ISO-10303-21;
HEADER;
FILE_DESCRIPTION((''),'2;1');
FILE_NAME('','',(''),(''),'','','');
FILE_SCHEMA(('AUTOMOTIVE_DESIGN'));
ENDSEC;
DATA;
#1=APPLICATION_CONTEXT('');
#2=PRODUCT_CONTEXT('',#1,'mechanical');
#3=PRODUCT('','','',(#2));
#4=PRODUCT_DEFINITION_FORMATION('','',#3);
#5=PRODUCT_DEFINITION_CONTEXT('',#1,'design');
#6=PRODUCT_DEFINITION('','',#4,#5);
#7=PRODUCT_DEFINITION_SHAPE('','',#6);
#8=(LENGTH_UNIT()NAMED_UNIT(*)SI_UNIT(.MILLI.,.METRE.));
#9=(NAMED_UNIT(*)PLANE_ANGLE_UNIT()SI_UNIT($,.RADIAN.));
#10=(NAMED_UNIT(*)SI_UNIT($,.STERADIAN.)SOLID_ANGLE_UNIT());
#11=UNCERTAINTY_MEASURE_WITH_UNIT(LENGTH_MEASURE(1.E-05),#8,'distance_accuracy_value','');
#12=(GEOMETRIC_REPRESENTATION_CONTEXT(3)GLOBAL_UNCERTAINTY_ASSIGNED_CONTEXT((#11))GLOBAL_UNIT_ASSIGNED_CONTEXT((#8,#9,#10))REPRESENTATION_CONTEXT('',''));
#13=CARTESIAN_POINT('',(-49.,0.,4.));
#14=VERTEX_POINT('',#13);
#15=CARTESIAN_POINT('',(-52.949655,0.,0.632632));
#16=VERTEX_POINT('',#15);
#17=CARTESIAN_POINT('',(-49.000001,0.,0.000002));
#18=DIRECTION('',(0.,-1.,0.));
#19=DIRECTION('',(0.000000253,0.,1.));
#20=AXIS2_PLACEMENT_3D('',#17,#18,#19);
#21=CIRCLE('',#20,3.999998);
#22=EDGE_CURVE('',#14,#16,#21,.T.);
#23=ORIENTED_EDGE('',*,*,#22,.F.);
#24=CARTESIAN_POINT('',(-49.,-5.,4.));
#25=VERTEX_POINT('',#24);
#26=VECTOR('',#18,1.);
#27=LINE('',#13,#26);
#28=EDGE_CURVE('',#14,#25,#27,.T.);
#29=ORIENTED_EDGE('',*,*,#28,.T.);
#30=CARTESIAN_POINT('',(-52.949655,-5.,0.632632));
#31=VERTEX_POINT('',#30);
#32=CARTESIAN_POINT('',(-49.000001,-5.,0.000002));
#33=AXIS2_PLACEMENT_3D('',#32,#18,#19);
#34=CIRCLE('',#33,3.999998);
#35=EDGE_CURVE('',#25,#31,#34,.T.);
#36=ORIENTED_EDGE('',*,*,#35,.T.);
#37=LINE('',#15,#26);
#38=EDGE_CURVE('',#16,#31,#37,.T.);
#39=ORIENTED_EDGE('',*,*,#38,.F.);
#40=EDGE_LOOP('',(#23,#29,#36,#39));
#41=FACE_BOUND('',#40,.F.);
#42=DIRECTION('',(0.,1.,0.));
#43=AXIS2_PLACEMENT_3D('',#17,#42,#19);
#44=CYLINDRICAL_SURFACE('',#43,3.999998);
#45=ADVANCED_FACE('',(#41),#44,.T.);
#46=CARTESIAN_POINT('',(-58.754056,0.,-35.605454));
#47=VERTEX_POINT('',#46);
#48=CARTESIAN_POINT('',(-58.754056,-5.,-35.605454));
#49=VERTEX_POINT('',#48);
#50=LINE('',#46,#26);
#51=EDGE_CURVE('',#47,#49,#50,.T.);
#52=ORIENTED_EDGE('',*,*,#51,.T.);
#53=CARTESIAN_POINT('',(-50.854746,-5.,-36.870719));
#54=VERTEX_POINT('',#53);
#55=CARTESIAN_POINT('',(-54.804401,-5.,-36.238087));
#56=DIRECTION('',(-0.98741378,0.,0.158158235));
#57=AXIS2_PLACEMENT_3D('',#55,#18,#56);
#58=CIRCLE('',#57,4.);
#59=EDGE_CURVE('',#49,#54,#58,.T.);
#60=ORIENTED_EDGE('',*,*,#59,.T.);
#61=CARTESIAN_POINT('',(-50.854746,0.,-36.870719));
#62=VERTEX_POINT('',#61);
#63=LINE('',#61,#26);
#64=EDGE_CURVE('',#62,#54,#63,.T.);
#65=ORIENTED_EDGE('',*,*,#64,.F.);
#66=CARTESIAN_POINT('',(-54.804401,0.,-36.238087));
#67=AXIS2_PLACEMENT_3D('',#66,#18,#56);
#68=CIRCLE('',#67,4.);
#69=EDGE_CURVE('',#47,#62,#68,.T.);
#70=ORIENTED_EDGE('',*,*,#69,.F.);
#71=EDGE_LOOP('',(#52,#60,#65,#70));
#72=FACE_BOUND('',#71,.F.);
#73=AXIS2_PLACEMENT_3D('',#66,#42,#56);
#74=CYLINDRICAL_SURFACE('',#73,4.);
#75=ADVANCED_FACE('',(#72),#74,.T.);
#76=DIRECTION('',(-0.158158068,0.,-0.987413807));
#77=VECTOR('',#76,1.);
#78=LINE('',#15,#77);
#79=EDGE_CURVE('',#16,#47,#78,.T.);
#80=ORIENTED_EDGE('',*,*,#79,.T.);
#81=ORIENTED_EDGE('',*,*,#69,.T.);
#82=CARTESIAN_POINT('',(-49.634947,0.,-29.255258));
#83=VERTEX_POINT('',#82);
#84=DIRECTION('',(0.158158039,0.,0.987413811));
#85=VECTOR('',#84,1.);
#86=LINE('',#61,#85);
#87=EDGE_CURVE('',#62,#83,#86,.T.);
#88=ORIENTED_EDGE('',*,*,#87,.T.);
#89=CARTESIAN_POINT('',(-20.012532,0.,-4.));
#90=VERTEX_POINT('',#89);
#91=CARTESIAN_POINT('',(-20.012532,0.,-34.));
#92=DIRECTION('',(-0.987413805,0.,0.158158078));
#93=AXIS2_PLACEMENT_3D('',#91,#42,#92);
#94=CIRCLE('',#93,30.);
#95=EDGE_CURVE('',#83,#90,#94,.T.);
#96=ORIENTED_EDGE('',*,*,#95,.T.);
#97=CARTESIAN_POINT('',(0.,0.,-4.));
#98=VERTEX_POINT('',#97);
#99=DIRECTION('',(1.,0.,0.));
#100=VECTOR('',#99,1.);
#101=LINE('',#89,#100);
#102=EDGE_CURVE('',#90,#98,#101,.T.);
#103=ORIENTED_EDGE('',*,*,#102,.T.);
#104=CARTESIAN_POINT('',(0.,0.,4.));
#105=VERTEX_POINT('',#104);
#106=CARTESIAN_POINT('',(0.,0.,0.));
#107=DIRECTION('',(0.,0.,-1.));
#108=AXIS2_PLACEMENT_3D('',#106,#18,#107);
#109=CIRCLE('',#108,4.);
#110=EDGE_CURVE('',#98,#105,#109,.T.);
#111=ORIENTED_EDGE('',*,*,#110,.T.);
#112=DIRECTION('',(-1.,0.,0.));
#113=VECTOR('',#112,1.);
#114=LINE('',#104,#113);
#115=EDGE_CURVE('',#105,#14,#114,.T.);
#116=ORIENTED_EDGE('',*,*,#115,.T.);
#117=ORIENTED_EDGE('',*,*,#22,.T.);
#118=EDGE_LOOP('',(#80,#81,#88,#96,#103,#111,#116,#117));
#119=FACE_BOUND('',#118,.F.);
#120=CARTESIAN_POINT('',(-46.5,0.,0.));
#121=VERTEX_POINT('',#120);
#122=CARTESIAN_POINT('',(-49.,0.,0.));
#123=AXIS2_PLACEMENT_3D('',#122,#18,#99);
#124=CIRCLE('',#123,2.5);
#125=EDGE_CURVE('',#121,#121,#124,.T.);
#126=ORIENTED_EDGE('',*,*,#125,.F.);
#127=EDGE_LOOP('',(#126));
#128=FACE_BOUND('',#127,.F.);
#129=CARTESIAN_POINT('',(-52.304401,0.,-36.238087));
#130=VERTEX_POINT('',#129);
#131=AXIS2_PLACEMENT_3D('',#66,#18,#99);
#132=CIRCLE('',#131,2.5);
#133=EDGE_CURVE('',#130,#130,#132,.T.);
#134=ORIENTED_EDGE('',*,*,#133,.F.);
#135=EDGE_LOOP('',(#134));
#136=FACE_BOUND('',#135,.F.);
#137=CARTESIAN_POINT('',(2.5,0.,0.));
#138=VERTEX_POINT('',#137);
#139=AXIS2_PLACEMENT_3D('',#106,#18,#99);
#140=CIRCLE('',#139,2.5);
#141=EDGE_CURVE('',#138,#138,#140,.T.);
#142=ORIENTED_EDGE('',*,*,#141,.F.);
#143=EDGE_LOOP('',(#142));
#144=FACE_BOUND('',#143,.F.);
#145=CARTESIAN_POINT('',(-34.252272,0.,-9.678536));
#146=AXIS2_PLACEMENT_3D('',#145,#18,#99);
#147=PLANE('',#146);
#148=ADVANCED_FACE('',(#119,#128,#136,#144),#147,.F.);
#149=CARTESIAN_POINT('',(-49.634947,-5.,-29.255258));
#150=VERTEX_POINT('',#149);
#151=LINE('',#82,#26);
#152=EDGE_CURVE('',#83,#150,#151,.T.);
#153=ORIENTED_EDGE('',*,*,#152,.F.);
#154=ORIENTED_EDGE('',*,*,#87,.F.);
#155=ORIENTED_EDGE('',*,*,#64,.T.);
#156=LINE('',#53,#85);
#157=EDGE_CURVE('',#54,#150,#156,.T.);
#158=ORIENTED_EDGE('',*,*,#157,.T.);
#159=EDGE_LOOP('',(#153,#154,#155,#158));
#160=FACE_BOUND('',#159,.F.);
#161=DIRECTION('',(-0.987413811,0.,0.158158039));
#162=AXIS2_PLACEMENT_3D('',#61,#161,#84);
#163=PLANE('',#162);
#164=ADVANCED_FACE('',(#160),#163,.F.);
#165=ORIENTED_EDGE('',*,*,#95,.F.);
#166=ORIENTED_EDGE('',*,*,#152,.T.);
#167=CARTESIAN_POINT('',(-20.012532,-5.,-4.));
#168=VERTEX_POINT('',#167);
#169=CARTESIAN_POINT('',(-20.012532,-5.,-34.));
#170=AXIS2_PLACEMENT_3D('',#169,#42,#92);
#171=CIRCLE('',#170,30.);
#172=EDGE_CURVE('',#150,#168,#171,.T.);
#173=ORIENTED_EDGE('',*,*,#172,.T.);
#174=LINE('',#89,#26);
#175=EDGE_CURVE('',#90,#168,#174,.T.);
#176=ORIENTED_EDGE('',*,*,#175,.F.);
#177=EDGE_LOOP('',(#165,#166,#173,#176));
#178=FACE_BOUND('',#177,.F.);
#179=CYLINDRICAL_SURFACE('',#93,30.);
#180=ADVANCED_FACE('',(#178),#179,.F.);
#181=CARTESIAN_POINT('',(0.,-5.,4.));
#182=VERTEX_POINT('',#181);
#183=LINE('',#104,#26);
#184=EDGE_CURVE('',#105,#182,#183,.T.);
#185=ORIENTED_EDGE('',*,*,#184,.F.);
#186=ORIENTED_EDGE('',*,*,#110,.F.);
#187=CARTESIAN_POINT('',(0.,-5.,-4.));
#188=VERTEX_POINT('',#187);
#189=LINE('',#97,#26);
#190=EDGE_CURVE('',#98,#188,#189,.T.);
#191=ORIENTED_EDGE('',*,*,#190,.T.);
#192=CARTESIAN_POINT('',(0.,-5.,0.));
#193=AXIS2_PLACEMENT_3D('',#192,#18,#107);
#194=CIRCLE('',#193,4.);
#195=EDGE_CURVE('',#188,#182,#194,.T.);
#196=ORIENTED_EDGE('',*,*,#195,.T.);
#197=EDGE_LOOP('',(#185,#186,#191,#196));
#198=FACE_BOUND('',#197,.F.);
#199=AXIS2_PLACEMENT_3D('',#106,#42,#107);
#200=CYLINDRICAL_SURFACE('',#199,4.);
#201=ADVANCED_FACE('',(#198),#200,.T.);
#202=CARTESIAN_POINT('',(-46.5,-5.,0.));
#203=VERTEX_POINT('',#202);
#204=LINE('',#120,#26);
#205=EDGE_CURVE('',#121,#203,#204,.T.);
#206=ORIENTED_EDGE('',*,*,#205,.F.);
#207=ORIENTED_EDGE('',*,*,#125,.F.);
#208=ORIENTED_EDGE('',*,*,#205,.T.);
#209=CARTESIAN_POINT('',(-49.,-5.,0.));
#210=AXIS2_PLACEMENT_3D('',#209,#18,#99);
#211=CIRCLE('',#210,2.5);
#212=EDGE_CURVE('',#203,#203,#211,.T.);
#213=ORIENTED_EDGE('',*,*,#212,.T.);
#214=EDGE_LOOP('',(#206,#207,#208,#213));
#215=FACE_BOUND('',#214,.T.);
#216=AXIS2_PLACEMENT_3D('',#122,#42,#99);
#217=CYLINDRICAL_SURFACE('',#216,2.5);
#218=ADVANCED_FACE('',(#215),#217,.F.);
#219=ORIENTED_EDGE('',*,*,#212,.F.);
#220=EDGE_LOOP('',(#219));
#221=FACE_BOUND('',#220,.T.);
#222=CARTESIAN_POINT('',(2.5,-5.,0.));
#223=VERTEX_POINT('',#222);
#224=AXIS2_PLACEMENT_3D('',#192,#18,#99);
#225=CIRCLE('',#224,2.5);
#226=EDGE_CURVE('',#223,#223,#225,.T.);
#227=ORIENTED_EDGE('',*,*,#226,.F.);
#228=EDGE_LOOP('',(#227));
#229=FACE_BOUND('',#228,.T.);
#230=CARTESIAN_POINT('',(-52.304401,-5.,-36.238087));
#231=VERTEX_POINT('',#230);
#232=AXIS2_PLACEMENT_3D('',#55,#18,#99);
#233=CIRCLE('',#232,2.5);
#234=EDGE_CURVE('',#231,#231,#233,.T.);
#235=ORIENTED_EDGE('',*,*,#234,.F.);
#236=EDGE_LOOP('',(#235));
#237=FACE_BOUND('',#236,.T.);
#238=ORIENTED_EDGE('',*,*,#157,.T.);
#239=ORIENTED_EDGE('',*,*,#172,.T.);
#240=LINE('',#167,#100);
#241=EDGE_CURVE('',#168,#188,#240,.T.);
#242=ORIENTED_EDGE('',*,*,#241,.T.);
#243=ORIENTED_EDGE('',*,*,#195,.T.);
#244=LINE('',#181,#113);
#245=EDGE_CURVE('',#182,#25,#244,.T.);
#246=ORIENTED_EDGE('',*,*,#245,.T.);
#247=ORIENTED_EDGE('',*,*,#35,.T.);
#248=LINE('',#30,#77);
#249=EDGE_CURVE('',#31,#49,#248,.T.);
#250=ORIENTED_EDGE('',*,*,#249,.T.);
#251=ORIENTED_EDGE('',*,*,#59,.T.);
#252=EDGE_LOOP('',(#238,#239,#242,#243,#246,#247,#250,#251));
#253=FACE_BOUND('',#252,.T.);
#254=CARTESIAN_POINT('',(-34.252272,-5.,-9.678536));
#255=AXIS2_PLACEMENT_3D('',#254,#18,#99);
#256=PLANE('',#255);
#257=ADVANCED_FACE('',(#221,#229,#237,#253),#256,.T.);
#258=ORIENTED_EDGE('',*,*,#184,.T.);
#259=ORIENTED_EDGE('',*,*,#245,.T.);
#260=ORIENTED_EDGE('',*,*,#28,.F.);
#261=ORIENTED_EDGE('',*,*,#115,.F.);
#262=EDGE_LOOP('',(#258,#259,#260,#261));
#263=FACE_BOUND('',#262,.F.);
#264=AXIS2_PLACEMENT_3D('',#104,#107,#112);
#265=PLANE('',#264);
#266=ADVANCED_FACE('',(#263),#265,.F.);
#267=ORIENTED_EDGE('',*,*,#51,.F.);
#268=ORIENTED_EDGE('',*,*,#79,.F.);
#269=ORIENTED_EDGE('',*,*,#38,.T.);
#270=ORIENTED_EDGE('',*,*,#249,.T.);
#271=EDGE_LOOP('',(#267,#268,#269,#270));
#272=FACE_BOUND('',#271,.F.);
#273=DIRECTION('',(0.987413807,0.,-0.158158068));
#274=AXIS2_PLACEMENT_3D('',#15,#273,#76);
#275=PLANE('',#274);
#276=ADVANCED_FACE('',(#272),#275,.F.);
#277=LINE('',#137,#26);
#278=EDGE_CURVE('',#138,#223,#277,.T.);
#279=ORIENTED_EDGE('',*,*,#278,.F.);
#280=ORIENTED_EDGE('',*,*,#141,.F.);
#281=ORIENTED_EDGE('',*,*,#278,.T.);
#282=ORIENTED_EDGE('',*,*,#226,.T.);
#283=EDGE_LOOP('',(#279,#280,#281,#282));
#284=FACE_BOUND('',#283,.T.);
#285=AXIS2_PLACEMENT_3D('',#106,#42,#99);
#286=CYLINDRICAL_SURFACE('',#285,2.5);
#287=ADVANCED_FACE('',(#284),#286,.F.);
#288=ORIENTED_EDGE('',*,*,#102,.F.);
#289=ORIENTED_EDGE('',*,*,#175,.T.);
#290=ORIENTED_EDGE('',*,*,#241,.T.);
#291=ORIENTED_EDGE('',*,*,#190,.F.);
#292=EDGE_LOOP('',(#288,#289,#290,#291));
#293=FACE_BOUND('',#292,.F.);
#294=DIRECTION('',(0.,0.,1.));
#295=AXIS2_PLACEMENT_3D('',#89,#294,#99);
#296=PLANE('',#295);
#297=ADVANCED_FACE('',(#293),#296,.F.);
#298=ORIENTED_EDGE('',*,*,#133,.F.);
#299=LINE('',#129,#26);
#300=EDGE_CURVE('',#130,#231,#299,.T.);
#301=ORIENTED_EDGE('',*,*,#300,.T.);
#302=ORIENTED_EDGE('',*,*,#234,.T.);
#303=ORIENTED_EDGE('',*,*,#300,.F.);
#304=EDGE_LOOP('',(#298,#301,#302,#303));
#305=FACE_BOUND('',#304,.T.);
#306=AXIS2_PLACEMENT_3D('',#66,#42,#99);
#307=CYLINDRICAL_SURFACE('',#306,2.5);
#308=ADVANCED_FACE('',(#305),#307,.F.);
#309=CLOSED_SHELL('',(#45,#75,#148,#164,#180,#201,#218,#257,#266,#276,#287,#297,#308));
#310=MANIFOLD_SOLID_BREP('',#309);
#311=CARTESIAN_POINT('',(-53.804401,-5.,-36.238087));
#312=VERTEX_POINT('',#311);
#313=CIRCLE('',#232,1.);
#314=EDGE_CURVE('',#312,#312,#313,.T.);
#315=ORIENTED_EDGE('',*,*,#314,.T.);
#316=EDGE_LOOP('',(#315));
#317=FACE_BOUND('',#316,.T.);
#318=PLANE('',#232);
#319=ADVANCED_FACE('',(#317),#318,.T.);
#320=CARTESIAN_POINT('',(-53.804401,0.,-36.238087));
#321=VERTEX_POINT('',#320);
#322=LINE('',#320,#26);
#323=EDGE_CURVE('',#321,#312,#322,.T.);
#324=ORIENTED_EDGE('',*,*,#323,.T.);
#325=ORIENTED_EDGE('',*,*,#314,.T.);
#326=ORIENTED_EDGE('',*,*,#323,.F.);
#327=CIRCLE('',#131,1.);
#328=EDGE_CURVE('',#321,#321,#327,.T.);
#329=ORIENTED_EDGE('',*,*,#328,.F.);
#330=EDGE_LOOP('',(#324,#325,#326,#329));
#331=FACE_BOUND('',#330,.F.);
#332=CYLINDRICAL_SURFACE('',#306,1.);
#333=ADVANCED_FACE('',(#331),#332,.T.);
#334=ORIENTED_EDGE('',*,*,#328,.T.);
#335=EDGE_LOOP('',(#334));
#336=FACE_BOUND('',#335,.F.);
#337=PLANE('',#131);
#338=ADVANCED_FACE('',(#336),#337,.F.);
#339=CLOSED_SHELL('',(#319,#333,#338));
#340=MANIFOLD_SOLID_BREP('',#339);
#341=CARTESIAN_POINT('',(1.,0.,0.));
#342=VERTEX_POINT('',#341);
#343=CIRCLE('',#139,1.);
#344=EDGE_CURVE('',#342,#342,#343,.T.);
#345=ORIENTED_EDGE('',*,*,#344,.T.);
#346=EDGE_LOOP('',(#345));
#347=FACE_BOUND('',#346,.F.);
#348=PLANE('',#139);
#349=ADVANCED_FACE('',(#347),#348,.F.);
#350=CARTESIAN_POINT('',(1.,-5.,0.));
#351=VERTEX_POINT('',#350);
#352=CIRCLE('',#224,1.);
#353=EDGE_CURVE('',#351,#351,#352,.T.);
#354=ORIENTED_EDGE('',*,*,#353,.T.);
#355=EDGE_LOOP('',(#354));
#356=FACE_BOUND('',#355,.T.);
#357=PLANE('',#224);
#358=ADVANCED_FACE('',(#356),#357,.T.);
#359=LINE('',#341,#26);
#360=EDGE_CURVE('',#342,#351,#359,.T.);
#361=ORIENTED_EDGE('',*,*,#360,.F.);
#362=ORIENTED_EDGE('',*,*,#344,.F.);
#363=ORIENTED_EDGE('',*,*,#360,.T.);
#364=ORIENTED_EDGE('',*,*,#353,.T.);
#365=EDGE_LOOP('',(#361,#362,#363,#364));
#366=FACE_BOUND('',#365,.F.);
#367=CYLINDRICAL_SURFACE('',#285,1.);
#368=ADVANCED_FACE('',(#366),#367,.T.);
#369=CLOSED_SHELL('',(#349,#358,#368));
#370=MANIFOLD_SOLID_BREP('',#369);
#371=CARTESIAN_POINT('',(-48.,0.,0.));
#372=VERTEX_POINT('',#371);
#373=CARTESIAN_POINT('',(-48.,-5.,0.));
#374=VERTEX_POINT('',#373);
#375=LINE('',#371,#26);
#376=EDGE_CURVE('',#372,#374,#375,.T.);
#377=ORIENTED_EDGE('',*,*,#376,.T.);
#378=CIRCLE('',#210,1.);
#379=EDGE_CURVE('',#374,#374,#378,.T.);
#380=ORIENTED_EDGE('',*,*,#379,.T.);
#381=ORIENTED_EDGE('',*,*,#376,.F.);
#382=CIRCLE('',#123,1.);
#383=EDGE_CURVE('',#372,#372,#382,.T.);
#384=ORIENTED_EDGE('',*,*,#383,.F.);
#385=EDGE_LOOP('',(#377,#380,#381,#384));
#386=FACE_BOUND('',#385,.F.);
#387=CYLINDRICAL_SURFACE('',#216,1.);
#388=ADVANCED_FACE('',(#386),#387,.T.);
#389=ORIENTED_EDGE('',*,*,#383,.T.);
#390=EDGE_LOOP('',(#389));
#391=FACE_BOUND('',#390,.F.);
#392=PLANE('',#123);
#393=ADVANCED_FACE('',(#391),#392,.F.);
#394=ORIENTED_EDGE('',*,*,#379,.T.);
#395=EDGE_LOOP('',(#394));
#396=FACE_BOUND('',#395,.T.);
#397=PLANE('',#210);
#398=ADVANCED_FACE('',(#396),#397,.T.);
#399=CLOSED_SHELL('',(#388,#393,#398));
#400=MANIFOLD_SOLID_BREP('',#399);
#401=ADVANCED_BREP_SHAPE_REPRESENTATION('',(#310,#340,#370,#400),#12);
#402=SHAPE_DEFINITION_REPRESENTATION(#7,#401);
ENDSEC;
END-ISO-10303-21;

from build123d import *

# Parameters (mm, degrees)
F0_R     = 2.5
F0_R_2   = 1
F1_DEPTH = 5


with BuildPart() as f1:
    # F0 (on Front) → F1 (new body)
    with BuildSketch(Plane.XZ):
        with BuildLine():
            Line((-20.012532, -4), (0, -4))
            ThreePointArc((0, -4), (4, 0), (0, 4))
            Line((0, 4), (-49, 4))
            ThreePointArc((-49, 4), (-51.595137, 3.04389), (-52.949655, 0.632632))
            Line((-52.949655, 0.632632), (-58.754056, -35.605454))
            ThreePointArc((-58.754056, -35.605454), (-55.437033, -40.187742), (-50.854746, -36.870719))
            Line((-50.854746, -36.870719), (-49.634947, -29.255258))
            ThreePointArc((-49.634947, -29.255258), (-39.476059, -11.170827), (-20.012532, -4))
        make_face()
        with Locations((-54.804401, -36.238087)):
            Circle(F0_R, mode=Mode.SUBTRACT)
        with Locations((-49, 0)):
            Circle(F0_R, mode=Mode.SUBTRACT)
        Circle(F0_R, mode=Mode.SUBTRACT)
        with Locations((-49, 0)):
            Circle(F0_R_2)
        Circle(F0_R_2)
        with Locations((-54.804401, -36.238087)):
            Circle(F0_R_2)
    extrude(amount=F1_DEPTH)


solid = f1.part
